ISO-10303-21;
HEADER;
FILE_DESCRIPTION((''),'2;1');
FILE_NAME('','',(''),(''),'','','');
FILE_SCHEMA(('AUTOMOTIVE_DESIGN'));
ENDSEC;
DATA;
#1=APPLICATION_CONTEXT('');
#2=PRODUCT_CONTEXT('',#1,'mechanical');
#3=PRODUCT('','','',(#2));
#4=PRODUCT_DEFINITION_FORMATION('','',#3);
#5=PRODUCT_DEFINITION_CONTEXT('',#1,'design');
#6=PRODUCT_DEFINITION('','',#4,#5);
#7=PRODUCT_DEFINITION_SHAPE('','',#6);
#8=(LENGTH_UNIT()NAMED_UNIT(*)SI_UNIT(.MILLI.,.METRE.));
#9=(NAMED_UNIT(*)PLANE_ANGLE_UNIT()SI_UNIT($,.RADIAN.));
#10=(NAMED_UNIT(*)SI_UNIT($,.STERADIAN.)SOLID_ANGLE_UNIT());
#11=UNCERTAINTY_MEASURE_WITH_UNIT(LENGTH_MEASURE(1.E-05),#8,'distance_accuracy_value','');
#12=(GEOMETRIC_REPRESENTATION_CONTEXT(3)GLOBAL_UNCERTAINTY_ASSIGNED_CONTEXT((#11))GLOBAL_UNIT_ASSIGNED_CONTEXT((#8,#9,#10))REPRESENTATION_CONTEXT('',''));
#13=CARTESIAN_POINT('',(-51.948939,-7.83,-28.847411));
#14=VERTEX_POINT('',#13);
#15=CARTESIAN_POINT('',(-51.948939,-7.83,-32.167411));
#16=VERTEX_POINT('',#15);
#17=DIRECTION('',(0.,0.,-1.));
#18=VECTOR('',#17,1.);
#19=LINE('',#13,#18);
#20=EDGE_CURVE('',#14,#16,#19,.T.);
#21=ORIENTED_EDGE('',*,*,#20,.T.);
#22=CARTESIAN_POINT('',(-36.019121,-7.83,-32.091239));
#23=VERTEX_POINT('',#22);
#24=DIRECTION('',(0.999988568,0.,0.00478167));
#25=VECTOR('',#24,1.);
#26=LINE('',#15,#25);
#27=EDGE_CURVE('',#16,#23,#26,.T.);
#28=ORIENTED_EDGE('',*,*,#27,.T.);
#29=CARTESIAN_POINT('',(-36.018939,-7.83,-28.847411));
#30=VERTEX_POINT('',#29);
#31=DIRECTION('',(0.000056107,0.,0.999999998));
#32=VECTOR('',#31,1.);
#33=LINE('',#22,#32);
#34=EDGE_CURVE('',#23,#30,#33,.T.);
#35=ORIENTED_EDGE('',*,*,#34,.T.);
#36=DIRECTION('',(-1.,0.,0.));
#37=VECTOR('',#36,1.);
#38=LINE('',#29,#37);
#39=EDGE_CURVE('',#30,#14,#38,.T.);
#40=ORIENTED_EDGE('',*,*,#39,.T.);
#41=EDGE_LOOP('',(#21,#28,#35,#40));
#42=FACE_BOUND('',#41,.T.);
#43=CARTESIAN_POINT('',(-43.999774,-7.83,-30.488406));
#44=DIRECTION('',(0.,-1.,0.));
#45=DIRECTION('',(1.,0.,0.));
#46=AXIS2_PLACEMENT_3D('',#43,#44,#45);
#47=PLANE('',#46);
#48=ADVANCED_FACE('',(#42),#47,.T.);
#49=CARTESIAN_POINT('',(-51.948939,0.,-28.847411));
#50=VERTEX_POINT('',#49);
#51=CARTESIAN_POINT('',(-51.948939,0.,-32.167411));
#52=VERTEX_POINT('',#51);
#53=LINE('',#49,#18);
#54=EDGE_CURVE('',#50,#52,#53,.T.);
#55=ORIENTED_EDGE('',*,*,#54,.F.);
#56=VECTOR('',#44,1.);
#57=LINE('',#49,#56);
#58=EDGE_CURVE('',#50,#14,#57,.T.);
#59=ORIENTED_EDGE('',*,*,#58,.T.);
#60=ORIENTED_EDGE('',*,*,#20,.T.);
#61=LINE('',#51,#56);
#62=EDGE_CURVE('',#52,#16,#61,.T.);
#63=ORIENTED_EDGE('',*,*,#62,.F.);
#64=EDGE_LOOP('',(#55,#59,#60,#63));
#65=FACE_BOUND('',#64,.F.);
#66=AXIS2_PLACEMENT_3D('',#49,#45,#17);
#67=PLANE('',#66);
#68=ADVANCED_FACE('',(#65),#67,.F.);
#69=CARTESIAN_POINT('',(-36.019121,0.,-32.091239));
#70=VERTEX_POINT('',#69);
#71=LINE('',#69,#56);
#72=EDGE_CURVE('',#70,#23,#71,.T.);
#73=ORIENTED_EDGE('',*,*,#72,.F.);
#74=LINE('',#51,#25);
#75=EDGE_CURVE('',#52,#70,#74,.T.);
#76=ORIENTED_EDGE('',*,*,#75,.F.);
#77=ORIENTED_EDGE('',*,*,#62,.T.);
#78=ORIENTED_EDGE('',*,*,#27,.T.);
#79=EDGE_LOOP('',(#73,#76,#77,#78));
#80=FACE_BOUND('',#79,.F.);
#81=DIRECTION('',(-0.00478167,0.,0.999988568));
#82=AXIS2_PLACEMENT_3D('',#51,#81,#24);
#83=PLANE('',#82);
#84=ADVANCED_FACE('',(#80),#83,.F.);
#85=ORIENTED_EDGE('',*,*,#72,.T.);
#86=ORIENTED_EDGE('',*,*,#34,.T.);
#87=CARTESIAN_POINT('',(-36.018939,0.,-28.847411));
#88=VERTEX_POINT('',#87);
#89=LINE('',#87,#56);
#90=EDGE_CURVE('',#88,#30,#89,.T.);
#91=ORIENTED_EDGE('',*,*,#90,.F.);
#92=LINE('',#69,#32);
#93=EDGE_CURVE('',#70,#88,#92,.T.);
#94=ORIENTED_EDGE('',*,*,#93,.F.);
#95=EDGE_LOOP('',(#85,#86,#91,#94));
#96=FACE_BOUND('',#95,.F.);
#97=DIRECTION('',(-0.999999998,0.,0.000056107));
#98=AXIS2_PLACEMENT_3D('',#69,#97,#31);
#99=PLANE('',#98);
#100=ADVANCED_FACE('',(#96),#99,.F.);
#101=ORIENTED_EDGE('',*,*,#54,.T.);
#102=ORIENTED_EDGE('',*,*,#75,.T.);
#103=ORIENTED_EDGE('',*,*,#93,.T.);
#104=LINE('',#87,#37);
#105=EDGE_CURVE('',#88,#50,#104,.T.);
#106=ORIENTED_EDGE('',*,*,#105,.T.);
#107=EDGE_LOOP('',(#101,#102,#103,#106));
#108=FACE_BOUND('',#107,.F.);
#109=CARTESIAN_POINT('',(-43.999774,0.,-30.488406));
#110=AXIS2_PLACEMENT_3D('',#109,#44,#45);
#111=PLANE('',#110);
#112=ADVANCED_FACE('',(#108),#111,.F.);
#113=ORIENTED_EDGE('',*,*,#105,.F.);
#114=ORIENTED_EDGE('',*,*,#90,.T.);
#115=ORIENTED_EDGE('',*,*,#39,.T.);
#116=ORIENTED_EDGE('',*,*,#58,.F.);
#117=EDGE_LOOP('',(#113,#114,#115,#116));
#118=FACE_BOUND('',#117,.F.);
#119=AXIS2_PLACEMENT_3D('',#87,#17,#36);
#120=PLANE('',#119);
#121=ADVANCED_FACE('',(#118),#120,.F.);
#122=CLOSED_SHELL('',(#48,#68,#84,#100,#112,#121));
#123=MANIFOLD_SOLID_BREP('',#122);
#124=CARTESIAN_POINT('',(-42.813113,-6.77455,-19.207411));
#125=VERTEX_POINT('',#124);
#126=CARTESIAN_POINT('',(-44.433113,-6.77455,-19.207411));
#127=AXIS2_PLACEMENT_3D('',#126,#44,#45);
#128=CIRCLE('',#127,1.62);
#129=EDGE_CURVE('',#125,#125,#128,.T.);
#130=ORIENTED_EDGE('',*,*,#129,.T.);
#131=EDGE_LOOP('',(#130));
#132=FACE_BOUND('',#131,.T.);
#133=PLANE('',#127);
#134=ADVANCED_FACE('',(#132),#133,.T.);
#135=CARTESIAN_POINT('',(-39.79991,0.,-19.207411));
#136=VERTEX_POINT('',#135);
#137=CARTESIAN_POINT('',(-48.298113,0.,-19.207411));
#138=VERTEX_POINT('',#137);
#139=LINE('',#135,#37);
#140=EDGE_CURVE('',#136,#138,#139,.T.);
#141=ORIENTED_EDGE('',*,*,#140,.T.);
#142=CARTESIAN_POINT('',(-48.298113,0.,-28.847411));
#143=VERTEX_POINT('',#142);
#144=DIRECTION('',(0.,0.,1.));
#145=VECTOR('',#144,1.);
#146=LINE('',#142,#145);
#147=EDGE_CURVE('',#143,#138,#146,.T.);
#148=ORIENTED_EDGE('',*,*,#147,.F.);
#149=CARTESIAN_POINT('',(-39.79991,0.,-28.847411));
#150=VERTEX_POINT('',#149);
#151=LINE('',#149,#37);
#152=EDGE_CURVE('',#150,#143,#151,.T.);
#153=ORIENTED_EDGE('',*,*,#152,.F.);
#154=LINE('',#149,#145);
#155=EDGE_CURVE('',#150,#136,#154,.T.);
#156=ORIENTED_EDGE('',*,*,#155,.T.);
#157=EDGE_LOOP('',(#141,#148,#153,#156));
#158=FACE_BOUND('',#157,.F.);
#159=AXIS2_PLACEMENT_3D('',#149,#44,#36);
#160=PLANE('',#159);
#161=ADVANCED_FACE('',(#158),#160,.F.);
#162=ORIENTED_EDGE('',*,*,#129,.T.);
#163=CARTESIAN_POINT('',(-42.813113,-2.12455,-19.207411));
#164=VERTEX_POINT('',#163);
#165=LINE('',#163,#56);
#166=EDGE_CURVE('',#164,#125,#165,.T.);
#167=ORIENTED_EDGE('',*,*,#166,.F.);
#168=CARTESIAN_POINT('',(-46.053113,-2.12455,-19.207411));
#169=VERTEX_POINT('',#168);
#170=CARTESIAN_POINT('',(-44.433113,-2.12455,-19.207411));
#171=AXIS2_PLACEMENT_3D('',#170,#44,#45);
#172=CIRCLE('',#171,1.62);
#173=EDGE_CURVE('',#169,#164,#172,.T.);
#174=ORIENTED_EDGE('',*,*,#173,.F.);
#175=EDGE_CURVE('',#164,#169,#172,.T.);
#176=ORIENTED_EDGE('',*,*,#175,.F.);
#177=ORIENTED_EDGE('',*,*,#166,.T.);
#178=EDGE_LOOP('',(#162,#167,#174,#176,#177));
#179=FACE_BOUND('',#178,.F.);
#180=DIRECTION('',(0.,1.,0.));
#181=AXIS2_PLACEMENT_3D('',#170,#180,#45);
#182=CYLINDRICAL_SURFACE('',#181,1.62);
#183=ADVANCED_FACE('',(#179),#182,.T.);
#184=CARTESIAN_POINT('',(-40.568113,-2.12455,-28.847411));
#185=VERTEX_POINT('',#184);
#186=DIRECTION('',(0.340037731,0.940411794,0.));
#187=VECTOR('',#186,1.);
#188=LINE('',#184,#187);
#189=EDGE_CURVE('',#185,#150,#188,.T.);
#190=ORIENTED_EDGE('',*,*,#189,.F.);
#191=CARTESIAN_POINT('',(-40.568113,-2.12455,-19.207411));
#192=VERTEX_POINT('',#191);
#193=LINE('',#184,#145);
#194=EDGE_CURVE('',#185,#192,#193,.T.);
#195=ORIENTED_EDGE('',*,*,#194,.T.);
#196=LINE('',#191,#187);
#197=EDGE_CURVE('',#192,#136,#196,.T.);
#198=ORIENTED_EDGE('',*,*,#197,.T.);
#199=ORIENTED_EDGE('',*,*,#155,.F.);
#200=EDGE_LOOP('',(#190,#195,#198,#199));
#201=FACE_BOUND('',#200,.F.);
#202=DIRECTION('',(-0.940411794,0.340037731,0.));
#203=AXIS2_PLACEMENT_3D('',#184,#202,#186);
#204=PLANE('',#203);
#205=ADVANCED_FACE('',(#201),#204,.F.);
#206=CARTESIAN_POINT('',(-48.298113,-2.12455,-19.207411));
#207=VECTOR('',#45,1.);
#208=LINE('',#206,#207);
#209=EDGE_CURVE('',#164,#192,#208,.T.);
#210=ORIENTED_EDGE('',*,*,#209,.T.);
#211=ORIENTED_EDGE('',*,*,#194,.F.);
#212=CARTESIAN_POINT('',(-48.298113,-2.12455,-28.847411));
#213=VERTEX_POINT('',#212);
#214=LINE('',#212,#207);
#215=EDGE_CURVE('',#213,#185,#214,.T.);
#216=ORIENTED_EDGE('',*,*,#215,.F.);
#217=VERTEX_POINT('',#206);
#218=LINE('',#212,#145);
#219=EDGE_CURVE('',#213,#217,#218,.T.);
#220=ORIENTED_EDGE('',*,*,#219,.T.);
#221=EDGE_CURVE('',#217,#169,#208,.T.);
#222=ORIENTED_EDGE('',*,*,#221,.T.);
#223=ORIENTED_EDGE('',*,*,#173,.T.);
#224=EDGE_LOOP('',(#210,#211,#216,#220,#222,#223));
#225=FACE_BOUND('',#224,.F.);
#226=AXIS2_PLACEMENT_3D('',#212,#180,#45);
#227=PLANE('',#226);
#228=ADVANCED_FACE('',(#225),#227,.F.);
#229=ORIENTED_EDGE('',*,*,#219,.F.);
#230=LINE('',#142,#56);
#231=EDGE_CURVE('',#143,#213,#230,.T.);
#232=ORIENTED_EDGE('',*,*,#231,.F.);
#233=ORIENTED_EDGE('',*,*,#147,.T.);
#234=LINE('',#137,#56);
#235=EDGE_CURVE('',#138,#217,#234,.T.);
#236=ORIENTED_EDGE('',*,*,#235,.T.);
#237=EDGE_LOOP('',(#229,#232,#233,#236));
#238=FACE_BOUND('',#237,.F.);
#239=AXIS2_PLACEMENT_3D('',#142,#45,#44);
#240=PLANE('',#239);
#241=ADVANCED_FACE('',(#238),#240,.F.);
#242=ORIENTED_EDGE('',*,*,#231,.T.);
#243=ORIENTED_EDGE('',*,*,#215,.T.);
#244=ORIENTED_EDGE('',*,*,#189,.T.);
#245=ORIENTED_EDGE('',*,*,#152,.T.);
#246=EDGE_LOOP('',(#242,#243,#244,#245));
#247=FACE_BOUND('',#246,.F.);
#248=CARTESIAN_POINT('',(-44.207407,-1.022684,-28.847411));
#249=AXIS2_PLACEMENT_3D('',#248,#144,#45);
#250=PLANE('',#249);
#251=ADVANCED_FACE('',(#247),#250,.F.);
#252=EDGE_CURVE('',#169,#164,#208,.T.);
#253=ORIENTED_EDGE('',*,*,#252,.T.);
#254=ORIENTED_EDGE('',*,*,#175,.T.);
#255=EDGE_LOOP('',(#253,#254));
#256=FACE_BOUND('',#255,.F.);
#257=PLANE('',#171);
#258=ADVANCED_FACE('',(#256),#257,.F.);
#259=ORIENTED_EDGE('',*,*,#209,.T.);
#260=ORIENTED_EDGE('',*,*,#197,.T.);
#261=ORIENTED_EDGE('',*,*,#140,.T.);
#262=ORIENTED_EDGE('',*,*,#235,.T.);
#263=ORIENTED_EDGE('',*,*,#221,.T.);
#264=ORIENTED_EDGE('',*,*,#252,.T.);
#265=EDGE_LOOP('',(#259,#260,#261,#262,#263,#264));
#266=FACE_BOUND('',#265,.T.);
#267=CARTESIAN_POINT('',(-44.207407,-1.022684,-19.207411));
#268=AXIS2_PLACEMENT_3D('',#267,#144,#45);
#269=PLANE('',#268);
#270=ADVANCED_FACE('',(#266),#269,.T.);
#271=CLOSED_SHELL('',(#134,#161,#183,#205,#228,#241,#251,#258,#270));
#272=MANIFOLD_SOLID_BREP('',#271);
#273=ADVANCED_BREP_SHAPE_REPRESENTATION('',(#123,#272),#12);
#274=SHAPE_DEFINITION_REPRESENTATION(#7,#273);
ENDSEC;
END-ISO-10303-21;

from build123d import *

# Parameters (mm, degrees)
F1_DEPTH = 7.83
F3_DEPTH = 9.64
F4_R     = 1.62
F5_DEPTH = 4.65


with BuildPart() as f1:
    # F0 (on Front) → F1 (new body)
    with BuildSketch(Plane.XZ):
        Polygon((-36.018939, -28.847411), (-51.948939, -28.847411), (-51.948939, -32.167411), (-36.019121, -32.091239), align=None)
    extrude(amount=F1_DEPTH)


with BuildPart() as f3:
    # F2 (on face) → F3 (new body)
    with BuildSketch(Plane.XY.offset(-28.847411)):
        Polygon((-39.79991, 0), (-48.298113, 0), (-48.298113, -2.12455), (-40.568113, -2.12455), align=None)
    extrude(amount=F3_DEPTH)

    # F4 (on face) → F5 (join)
    with BuildSketch(Plane.XZ.offset(2.12455)):
        with Locations((-44.433113, -19.207411)):
            Circle(F4_R)
    extrude(amount=F5_DEPTH)


solid = Compound([f1.part, f3.part])
